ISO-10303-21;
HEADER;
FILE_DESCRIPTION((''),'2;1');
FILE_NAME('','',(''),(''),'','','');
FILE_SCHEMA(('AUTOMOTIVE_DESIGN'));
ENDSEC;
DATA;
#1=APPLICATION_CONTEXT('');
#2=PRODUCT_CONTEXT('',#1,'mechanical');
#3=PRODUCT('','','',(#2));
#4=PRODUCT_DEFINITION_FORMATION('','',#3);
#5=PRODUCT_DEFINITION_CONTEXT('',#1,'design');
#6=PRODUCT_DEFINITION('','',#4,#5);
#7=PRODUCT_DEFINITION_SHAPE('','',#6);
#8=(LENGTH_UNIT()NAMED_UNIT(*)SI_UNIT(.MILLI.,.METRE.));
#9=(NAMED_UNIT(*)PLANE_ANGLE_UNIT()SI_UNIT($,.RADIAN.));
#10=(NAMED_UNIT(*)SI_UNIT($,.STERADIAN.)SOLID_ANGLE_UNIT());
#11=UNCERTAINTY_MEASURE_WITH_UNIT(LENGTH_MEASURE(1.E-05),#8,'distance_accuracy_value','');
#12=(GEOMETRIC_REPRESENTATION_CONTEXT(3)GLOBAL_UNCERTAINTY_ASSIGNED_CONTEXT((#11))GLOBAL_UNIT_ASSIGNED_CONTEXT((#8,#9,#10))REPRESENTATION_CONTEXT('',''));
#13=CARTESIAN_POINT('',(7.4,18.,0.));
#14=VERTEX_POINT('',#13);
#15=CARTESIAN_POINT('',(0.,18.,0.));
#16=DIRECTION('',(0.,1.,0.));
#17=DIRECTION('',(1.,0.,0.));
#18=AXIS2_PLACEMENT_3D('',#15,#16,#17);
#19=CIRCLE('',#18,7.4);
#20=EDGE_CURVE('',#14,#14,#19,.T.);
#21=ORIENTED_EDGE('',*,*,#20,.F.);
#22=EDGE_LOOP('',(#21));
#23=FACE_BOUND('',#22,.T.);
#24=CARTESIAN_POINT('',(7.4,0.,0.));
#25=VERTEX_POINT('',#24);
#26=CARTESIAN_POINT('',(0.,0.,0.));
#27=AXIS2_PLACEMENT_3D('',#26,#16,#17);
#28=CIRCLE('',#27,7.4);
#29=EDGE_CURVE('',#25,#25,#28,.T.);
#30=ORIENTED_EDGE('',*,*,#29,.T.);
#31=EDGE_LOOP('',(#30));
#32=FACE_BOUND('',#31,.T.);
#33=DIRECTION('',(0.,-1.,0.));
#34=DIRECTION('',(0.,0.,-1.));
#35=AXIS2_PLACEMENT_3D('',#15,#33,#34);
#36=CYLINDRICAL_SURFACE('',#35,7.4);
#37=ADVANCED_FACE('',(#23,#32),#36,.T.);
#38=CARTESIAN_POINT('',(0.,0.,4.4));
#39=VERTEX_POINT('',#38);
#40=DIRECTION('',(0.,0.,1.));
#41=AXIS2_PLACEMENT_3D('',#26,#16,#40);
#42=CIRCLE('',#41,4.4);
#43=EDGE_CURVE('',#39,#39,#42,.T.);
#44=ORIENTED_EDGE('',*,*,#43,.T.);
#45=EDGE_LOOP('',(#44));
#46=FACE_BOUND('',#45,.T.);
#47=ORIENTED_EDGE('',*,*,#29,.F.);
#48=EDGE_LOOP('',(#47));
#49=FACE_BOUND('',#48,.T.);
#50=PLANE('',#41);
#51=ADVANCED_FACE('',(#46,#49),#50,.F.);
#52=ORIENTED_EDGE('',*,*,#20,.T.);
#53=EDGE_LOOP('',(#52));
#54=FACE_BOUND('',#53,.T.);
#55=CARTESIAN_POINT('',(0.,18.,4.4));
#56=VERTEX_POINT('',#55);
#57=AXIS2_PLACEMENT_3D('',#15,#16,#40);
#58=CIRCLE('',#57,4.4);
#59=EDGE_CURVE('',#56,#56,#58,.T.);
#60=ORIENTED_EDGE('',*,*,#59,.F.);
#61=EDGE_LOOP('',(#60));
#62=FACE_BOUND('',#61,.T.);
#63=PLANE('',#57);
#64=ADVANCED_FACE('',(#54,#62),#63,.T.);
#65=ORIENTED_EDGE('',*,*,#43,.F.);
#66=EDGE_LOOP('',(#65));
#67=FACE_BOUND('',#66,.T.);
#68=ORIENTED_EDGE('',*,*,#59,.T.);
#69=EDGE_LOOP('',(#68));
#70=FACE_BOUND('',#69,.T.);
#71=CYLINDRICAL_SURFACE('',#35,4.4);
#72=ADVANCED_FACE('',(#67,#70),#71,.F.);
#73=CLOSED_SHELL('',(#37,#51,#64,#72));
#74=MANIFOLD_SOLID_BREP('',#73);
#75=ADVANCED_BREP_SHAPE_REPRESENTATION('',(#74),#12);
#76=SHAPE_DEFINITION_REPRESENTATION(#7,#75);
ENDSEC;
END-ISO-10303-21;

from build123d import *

# Parameters (mm, degrees)
SKETCH1_R           = 7.4
SKETCH1_R_2         = 4.4
EXTRUDE_THIN1_DEPTH = 18


with BuildPart() as part:
    # Sketch1 → Extrude-Thin1 (new body)
    with BuildSketch(Plane(origin=(0, 0, 0), x_dir=(1, 0, 0), z_dir=(0, 1, 0))):
        Circle(SKETCH1_R)
        Circle(SKETCH1_R_2, mode=Mode.SUBTRACT)
    extrude(amount=EXTRUDE_THIN1_DEPTH)


solid = part.part
